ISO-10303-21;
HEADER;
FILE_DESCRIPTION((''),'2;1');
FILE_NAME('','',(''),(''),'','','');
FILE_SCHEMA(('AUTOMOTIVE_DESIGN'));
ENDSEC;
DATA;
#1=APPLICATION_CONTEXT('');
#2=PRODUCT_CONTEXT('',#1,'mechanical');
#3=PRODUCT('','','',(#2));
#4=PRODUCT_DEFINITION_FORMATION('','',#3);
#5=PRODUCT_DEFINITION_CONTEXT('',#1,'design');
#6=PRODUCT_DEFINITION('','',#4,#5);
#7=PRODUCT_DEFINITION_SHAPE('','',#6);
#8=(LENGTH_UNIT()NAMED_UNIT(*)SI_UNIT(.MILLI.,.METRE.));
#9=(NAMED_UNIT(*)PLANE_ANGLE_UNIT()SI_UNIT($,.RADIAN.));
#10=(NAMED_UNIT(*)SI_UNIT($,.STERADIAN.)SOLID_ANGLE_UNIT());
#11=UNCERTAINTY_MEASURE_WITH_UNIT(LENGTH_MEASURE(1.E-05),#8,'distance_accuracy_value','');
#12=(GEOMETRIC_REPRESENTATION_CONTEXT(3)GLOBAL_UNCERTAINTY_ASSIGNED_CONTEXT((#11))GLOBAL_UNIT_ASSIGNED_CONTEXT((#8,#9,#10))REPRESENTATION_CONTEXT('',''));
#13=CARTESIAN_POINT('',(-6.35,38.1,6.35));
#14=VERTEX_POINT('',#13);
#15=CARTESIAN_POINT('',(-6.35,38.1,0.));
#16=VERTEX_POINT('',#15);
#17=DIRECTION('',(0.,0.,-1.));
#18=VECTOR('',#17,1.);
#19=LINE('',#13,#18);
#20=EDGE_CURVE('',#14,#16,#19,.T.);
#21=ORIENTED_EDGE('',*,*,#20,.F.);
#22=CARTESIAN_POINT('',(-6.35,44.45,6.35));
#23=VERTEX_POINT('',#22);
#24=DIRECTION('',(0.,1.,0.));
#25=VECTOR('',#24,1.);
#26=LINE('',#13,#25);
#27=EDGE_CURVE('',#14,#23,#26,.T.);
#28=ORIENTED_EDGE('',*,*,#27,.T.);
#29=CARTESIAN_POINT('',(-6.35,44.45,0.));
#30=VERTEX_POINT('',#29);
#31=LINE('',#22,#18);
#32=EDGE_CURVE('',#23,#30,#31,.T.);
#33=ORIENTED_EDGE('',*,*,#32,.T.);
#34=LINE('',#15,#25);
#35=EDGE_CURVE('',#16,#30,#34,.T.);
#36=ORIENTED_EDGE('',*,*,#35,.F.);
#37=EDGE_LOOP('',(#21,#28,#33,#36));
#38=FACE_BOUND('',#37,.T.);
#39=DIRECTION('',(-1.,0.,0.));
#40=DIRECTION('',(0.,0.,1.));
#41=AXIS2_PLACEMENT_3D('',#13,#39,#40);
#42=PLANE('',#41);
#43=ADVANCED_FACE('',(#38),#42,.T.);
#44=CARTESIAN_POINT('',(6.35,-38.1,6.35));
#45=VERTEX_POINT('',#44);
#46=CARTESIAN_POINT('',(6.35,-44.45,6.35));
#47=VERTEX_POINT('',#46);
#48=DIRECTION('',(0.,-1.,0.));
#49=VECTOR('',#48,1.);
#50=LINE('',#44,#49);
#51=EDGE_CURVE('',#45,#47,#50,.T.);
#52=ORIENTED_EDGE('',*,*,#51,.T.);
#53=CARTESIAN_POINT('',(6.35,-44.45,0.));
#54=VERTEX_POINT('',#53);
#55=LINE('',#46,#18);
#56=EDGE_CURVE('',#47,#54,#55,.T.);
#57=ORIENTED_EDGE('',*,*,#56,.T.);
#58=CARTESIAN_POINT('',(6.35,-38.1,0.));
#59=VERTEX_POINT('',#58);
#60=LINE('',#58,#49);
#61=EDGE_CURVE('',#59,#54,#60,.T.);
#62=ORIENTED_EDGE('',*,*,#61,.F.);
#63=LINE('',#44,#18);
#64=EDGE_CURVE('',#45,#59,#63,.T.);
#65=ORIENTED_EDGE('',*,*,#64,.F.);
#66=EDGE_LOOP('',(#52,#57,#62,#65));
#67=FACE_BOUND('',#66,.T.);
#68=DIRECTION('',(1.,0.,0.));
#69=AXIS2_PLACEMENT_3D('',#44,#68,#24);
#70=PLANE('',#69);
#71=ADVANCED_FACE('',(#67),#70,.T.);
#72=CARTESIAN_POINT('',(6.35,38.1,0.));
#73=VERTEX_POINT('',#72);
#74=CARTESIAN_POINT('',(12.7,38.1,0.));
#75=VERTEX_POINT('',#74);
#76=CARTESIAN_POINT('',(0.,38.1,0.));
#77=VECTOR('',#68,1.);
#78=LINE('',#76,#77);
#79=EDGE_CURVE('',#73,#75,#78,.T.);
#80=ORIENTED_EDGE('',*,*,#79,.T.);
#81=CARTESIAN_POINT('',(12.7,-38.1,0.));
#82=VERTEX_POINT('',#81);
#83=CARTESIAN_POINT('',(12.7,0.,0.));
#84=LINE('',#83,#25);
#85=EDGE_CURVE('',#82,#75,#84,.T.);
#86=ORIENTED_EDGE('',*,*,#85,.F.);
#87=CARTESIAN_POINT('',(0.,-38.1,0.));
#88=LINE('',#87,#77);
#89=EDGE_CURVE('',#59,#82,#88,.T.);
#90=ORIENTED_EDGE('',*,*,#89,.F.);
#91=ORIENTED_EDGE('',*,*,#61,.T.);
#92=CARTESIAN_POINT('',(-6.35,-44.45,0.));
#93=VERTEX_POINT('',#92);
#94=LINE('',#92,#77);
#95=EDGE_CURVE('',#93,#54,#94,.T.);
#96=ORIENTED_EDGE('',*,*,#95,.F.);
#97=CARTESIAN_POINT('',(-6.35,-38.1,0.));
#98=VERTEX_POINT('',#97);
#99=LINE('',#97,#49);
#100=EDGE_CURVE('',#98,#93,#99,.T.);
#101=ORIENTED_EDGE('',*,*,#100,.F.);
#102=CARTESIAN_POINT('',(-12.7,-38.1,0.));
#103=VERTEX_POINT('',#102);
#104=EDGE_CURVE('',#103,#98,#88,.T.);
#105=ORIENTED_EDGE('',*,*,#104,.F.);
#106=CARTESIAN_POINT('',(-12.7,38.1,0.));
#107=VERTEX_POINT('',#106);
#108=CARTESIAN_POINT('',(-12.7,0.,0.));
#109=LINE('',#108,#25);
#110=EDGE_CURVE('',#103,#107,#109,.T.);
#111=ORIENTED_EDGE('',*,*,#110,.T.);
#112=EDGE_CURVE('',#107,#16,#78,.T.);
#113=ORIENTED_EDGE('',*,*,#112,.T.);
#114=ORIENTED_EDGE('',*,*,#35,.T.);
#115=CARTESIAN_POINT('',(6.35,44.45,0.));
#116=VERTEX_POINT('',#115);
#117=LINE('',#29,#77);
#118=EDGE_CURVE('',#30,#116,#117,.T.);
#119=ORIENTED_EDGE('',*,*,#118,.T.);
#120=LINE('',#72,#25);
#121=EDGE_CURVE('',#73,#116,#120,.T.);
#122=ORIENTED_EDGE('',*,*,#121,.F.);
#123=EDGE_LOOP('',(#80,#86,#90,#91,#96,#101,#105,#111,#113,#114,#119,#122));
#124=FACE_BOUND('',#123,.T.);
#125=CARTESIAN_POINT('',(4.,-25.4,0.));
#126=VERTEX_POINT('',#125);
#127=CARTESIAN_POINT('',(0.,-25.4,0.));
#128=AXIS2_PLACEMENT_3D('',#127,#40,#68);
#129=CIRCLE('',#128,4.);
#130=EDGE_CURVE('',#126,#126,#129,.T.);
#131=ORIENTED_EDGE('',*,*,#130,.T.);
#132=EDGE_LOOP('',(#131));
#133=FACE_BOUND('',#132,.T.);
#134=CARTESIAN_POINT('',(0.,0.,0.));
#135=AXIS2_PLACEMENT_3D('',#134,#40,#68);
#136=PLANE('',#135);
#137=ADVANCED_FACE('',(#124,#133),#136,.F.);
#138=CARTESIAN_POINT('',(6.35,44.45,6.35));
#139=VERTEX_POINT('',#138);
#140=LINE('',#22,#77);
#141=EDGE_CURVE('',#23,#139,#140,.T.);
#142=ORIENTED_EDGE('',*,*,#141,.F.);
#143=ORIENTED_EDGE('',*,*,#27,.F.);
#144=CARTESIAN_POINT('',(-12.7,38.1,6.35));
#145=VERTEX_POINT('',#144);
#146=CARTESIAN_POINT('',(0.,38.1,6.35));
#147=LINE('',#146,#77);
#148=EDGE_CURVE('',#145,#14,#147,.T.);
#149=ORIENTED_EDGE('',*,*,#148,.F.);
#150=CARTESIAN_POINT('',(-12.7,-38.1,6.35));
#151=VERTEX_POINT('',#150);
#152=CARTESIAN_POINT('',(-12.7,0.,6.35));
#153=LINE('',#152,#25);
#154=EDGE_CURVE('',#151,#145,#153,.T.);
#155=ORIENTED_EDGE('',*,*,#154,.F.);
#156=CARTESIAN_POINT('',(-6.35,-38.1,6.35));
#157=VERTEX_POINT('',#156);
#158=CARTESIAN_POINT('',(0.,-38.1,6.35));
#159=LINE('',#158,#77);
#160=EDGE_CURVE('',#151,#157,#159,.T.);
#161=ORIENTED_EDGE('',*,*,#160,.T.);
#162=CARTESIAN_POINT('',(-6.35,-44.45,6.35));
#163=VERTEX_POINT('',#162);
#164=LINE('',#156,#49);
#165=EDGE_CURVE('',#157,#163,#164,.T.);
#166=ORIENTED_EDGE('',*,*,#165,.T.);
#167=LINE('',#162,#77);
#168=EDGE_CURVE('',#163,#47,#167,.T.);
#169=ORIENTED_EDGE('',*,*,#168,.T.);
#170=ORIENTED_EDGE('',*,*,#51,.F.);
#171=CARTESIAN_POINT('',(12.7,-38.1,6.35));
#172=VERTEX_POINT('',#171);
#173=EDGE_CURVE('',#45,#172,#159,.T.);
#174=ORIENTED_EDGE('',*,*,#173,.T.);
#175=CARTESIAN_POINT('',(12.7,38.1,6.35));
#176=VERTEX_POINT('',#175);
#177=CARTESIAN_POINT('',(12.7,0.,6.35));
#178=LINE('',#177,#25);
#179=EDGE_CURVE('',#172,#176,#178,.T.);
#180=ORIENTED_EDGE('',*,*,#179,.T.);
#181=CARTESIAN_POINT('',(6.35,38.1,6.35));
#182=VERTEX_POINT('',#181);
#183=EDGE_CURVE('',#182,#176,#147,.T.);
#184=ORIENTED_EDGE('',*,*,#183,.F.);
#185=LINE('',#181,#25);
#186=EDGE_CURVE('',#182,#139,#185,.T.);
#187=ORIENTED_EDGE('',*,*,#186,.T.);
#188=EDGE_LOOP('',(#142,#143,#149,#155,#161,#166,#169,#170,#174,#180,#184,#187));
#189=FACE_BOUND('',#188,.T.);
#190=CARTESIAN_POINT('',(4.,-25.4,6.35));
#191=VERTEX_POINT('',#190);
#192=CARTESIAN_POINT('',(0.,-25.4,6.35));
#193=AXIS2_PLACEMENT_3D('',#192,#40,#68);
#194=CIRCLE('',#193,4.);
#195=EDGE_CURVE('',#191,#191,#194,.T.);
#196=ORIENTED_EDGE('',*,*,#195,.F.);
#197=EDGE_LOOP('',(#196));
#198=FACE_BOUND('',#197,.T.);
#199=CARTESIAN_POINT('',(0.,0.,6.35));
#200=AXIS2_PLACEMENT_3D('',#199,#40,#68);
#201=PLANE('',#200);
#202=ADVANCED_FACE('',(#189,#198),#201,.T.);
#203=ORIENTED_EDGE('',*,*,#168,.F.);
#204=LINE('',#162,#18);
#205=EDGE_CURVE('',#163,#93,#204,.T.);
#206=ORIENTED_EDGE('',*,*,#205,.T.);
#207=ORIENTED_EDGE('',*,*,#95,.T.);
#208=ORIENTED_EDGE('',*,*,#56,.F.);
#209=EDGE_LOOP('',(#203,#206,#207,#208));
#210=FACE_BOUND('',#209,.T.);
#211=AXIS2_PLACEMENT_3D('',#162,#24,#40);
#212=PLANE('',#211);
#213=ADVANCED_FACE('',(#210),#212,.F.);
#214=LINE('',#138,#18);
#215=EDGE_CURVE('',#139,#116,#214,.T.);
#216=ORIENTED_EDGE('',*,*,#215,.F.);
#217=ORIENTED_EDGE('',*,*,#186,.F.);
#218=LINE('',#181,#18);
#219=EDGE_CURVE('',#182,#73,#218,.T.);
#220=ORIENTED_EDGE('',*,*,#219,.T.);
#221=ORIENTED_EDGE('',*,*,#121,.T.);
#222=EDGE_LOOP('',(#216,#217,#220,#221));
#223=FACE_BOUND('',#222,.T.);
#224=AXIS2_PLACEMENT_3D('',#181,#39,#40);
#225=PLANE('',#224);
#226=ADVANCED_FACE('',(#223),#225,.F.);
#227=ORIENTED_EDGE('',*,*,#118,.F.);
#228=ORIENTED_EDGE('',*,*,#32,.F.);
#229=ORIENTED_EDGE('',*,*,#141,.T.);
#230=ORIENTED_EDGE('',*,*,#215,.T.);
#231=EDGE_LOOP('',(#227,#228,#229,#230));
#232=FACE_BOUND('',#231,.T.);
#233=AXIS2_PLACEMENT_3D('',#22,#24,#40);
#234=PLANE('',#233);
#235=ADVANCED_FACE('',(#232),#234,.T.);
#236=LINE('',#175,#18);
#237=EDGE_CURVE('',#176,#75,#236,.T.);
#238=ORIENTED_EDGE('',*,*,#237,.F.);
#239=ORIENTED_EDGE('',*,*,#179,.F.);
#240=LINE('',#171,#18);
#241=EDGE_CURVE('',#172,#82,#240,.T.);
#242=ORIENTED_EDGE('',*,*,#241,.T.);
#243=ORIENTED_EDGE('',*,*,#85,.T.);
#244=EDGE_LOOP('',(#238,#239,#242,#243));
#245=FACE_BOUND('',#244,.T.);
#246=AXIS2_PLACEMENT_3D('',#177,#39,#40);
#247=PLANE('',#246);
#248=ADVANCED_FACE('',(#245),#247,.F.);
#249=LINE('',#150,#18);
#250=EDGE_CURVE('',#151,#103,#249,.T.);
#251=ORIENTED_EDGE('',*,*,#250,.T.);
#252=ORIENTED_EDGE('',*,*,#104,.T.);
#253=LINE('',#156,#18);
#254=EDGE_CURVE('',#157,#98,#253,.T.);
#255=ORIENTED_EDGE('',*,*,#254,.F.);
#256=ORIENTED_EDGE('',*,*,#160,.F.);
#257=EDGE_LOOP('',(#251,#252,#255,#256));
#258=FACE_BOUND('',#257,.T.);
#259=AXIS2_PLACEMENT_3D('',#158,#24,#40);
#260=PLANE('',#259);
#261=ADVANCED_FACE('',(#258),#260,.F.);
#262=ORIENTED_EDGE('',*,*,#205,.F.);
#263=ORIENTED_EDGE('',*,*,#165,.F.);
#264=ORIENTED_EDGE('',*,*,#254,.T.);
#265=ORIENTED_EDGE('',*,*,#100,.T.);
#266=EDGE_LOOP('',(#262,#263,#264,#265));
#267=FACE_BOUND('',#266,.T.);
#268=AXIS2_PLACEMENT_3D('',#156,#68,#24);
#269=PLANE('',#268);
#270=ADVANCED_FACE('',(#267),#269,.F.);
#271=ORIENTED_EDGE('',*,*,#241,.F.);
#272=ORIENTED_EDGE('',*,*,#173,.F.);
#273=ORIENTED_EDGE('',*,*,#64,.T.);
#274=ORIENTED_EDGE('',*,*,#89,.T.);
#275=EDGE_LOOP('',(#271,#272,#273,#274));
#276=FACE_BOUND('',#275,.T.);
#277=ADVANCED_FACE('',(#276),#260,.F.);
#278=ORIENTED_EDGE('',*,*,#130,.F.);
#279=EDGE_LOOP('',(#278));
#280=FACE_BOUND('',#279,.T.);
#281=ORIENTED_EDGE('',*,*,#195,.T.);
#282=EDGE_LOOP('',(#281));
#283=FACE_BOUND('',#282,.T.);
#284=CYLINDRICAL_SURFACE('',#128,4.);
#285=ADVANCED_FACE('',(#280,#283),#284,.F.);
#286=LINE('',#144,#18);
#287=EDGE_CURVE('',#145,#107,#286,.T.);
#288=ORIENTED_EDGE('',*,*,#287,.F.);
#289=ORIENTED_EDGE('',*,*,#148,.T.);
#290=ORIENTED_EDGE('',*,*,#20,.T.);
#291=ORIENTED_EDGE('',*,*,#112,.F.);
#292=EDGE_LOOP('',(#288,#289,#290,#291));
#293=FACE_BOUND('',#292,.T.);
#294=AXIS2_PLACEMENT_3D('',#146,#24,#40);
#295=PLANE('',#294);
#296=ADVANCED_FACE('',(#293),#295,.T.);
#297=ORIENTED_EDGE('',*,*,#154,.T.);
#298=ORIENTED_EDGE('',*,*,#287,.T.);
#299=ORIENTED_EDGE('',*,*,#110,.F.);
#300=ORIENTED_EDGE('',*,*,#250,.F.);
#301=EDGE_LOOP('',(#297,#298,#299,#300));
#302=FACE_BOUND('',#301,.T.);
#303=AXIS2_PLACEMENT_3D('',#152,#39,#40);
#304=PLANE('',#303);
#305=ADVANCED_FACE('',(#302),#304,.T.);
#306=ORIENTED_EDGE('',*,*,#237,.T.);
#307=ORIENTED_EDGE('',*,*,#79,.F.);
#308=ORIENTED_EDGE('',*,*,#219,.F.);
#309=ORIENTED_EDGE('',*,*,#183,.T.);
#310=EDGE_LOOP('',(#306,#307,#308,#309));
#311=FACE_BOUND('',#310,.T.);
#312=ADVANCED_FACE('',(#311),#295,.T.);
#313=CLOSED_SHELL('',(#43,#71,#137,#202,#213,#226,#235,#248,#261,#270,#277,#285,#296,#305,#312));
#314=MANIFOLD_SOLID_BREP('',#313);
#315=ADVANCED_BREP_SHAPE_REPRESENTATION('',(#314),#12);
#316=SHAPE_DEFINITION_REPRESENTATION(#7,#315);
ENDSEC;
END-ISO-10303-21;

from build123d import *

# Parameters (mm, degrees)
SKETCH1_W           = 25.4
SKETCH1_H           = 76.2
SKETCH1_W_2         = 12.7
SKETCH1_H_2         = 6.35
BOSS_EXTRUDE1_DEPTH = 6.35
SKETCH2_R           = 4
CUT_EXTRUDE1_DEPTH  = 47.6627796


with BuildPart() as part:
    # Sketch1 → Boss-Extrude1 (new body)
    with BuildSketch(Plane.XY):
        Rectangle(SKETCH1_W, SKETCH1_H)
        with Locations((0, -41.275)):
            Rectangle(SKETCH1_W_2, SKETCH1_H_2)
        with Locations((0, 41.275)):
            Rectangle(SKETCH1_W_2, SKETCH1_H_2)
    extrude(amount=BOSS_EXTRUDE1_DEPTH)

    # Sketch2 → Cut-Extrude1 (cut, through all)
    with BuildSketch(Plane.XY.offset(6.35)):
        with Locations((0, -25.4)):
            Circle(SKETCH2_R)
    extrude(amount=-CUT_EXTRUDE1_DEPTH, mode=Mode.SUBTRACT)


solid = part.part
